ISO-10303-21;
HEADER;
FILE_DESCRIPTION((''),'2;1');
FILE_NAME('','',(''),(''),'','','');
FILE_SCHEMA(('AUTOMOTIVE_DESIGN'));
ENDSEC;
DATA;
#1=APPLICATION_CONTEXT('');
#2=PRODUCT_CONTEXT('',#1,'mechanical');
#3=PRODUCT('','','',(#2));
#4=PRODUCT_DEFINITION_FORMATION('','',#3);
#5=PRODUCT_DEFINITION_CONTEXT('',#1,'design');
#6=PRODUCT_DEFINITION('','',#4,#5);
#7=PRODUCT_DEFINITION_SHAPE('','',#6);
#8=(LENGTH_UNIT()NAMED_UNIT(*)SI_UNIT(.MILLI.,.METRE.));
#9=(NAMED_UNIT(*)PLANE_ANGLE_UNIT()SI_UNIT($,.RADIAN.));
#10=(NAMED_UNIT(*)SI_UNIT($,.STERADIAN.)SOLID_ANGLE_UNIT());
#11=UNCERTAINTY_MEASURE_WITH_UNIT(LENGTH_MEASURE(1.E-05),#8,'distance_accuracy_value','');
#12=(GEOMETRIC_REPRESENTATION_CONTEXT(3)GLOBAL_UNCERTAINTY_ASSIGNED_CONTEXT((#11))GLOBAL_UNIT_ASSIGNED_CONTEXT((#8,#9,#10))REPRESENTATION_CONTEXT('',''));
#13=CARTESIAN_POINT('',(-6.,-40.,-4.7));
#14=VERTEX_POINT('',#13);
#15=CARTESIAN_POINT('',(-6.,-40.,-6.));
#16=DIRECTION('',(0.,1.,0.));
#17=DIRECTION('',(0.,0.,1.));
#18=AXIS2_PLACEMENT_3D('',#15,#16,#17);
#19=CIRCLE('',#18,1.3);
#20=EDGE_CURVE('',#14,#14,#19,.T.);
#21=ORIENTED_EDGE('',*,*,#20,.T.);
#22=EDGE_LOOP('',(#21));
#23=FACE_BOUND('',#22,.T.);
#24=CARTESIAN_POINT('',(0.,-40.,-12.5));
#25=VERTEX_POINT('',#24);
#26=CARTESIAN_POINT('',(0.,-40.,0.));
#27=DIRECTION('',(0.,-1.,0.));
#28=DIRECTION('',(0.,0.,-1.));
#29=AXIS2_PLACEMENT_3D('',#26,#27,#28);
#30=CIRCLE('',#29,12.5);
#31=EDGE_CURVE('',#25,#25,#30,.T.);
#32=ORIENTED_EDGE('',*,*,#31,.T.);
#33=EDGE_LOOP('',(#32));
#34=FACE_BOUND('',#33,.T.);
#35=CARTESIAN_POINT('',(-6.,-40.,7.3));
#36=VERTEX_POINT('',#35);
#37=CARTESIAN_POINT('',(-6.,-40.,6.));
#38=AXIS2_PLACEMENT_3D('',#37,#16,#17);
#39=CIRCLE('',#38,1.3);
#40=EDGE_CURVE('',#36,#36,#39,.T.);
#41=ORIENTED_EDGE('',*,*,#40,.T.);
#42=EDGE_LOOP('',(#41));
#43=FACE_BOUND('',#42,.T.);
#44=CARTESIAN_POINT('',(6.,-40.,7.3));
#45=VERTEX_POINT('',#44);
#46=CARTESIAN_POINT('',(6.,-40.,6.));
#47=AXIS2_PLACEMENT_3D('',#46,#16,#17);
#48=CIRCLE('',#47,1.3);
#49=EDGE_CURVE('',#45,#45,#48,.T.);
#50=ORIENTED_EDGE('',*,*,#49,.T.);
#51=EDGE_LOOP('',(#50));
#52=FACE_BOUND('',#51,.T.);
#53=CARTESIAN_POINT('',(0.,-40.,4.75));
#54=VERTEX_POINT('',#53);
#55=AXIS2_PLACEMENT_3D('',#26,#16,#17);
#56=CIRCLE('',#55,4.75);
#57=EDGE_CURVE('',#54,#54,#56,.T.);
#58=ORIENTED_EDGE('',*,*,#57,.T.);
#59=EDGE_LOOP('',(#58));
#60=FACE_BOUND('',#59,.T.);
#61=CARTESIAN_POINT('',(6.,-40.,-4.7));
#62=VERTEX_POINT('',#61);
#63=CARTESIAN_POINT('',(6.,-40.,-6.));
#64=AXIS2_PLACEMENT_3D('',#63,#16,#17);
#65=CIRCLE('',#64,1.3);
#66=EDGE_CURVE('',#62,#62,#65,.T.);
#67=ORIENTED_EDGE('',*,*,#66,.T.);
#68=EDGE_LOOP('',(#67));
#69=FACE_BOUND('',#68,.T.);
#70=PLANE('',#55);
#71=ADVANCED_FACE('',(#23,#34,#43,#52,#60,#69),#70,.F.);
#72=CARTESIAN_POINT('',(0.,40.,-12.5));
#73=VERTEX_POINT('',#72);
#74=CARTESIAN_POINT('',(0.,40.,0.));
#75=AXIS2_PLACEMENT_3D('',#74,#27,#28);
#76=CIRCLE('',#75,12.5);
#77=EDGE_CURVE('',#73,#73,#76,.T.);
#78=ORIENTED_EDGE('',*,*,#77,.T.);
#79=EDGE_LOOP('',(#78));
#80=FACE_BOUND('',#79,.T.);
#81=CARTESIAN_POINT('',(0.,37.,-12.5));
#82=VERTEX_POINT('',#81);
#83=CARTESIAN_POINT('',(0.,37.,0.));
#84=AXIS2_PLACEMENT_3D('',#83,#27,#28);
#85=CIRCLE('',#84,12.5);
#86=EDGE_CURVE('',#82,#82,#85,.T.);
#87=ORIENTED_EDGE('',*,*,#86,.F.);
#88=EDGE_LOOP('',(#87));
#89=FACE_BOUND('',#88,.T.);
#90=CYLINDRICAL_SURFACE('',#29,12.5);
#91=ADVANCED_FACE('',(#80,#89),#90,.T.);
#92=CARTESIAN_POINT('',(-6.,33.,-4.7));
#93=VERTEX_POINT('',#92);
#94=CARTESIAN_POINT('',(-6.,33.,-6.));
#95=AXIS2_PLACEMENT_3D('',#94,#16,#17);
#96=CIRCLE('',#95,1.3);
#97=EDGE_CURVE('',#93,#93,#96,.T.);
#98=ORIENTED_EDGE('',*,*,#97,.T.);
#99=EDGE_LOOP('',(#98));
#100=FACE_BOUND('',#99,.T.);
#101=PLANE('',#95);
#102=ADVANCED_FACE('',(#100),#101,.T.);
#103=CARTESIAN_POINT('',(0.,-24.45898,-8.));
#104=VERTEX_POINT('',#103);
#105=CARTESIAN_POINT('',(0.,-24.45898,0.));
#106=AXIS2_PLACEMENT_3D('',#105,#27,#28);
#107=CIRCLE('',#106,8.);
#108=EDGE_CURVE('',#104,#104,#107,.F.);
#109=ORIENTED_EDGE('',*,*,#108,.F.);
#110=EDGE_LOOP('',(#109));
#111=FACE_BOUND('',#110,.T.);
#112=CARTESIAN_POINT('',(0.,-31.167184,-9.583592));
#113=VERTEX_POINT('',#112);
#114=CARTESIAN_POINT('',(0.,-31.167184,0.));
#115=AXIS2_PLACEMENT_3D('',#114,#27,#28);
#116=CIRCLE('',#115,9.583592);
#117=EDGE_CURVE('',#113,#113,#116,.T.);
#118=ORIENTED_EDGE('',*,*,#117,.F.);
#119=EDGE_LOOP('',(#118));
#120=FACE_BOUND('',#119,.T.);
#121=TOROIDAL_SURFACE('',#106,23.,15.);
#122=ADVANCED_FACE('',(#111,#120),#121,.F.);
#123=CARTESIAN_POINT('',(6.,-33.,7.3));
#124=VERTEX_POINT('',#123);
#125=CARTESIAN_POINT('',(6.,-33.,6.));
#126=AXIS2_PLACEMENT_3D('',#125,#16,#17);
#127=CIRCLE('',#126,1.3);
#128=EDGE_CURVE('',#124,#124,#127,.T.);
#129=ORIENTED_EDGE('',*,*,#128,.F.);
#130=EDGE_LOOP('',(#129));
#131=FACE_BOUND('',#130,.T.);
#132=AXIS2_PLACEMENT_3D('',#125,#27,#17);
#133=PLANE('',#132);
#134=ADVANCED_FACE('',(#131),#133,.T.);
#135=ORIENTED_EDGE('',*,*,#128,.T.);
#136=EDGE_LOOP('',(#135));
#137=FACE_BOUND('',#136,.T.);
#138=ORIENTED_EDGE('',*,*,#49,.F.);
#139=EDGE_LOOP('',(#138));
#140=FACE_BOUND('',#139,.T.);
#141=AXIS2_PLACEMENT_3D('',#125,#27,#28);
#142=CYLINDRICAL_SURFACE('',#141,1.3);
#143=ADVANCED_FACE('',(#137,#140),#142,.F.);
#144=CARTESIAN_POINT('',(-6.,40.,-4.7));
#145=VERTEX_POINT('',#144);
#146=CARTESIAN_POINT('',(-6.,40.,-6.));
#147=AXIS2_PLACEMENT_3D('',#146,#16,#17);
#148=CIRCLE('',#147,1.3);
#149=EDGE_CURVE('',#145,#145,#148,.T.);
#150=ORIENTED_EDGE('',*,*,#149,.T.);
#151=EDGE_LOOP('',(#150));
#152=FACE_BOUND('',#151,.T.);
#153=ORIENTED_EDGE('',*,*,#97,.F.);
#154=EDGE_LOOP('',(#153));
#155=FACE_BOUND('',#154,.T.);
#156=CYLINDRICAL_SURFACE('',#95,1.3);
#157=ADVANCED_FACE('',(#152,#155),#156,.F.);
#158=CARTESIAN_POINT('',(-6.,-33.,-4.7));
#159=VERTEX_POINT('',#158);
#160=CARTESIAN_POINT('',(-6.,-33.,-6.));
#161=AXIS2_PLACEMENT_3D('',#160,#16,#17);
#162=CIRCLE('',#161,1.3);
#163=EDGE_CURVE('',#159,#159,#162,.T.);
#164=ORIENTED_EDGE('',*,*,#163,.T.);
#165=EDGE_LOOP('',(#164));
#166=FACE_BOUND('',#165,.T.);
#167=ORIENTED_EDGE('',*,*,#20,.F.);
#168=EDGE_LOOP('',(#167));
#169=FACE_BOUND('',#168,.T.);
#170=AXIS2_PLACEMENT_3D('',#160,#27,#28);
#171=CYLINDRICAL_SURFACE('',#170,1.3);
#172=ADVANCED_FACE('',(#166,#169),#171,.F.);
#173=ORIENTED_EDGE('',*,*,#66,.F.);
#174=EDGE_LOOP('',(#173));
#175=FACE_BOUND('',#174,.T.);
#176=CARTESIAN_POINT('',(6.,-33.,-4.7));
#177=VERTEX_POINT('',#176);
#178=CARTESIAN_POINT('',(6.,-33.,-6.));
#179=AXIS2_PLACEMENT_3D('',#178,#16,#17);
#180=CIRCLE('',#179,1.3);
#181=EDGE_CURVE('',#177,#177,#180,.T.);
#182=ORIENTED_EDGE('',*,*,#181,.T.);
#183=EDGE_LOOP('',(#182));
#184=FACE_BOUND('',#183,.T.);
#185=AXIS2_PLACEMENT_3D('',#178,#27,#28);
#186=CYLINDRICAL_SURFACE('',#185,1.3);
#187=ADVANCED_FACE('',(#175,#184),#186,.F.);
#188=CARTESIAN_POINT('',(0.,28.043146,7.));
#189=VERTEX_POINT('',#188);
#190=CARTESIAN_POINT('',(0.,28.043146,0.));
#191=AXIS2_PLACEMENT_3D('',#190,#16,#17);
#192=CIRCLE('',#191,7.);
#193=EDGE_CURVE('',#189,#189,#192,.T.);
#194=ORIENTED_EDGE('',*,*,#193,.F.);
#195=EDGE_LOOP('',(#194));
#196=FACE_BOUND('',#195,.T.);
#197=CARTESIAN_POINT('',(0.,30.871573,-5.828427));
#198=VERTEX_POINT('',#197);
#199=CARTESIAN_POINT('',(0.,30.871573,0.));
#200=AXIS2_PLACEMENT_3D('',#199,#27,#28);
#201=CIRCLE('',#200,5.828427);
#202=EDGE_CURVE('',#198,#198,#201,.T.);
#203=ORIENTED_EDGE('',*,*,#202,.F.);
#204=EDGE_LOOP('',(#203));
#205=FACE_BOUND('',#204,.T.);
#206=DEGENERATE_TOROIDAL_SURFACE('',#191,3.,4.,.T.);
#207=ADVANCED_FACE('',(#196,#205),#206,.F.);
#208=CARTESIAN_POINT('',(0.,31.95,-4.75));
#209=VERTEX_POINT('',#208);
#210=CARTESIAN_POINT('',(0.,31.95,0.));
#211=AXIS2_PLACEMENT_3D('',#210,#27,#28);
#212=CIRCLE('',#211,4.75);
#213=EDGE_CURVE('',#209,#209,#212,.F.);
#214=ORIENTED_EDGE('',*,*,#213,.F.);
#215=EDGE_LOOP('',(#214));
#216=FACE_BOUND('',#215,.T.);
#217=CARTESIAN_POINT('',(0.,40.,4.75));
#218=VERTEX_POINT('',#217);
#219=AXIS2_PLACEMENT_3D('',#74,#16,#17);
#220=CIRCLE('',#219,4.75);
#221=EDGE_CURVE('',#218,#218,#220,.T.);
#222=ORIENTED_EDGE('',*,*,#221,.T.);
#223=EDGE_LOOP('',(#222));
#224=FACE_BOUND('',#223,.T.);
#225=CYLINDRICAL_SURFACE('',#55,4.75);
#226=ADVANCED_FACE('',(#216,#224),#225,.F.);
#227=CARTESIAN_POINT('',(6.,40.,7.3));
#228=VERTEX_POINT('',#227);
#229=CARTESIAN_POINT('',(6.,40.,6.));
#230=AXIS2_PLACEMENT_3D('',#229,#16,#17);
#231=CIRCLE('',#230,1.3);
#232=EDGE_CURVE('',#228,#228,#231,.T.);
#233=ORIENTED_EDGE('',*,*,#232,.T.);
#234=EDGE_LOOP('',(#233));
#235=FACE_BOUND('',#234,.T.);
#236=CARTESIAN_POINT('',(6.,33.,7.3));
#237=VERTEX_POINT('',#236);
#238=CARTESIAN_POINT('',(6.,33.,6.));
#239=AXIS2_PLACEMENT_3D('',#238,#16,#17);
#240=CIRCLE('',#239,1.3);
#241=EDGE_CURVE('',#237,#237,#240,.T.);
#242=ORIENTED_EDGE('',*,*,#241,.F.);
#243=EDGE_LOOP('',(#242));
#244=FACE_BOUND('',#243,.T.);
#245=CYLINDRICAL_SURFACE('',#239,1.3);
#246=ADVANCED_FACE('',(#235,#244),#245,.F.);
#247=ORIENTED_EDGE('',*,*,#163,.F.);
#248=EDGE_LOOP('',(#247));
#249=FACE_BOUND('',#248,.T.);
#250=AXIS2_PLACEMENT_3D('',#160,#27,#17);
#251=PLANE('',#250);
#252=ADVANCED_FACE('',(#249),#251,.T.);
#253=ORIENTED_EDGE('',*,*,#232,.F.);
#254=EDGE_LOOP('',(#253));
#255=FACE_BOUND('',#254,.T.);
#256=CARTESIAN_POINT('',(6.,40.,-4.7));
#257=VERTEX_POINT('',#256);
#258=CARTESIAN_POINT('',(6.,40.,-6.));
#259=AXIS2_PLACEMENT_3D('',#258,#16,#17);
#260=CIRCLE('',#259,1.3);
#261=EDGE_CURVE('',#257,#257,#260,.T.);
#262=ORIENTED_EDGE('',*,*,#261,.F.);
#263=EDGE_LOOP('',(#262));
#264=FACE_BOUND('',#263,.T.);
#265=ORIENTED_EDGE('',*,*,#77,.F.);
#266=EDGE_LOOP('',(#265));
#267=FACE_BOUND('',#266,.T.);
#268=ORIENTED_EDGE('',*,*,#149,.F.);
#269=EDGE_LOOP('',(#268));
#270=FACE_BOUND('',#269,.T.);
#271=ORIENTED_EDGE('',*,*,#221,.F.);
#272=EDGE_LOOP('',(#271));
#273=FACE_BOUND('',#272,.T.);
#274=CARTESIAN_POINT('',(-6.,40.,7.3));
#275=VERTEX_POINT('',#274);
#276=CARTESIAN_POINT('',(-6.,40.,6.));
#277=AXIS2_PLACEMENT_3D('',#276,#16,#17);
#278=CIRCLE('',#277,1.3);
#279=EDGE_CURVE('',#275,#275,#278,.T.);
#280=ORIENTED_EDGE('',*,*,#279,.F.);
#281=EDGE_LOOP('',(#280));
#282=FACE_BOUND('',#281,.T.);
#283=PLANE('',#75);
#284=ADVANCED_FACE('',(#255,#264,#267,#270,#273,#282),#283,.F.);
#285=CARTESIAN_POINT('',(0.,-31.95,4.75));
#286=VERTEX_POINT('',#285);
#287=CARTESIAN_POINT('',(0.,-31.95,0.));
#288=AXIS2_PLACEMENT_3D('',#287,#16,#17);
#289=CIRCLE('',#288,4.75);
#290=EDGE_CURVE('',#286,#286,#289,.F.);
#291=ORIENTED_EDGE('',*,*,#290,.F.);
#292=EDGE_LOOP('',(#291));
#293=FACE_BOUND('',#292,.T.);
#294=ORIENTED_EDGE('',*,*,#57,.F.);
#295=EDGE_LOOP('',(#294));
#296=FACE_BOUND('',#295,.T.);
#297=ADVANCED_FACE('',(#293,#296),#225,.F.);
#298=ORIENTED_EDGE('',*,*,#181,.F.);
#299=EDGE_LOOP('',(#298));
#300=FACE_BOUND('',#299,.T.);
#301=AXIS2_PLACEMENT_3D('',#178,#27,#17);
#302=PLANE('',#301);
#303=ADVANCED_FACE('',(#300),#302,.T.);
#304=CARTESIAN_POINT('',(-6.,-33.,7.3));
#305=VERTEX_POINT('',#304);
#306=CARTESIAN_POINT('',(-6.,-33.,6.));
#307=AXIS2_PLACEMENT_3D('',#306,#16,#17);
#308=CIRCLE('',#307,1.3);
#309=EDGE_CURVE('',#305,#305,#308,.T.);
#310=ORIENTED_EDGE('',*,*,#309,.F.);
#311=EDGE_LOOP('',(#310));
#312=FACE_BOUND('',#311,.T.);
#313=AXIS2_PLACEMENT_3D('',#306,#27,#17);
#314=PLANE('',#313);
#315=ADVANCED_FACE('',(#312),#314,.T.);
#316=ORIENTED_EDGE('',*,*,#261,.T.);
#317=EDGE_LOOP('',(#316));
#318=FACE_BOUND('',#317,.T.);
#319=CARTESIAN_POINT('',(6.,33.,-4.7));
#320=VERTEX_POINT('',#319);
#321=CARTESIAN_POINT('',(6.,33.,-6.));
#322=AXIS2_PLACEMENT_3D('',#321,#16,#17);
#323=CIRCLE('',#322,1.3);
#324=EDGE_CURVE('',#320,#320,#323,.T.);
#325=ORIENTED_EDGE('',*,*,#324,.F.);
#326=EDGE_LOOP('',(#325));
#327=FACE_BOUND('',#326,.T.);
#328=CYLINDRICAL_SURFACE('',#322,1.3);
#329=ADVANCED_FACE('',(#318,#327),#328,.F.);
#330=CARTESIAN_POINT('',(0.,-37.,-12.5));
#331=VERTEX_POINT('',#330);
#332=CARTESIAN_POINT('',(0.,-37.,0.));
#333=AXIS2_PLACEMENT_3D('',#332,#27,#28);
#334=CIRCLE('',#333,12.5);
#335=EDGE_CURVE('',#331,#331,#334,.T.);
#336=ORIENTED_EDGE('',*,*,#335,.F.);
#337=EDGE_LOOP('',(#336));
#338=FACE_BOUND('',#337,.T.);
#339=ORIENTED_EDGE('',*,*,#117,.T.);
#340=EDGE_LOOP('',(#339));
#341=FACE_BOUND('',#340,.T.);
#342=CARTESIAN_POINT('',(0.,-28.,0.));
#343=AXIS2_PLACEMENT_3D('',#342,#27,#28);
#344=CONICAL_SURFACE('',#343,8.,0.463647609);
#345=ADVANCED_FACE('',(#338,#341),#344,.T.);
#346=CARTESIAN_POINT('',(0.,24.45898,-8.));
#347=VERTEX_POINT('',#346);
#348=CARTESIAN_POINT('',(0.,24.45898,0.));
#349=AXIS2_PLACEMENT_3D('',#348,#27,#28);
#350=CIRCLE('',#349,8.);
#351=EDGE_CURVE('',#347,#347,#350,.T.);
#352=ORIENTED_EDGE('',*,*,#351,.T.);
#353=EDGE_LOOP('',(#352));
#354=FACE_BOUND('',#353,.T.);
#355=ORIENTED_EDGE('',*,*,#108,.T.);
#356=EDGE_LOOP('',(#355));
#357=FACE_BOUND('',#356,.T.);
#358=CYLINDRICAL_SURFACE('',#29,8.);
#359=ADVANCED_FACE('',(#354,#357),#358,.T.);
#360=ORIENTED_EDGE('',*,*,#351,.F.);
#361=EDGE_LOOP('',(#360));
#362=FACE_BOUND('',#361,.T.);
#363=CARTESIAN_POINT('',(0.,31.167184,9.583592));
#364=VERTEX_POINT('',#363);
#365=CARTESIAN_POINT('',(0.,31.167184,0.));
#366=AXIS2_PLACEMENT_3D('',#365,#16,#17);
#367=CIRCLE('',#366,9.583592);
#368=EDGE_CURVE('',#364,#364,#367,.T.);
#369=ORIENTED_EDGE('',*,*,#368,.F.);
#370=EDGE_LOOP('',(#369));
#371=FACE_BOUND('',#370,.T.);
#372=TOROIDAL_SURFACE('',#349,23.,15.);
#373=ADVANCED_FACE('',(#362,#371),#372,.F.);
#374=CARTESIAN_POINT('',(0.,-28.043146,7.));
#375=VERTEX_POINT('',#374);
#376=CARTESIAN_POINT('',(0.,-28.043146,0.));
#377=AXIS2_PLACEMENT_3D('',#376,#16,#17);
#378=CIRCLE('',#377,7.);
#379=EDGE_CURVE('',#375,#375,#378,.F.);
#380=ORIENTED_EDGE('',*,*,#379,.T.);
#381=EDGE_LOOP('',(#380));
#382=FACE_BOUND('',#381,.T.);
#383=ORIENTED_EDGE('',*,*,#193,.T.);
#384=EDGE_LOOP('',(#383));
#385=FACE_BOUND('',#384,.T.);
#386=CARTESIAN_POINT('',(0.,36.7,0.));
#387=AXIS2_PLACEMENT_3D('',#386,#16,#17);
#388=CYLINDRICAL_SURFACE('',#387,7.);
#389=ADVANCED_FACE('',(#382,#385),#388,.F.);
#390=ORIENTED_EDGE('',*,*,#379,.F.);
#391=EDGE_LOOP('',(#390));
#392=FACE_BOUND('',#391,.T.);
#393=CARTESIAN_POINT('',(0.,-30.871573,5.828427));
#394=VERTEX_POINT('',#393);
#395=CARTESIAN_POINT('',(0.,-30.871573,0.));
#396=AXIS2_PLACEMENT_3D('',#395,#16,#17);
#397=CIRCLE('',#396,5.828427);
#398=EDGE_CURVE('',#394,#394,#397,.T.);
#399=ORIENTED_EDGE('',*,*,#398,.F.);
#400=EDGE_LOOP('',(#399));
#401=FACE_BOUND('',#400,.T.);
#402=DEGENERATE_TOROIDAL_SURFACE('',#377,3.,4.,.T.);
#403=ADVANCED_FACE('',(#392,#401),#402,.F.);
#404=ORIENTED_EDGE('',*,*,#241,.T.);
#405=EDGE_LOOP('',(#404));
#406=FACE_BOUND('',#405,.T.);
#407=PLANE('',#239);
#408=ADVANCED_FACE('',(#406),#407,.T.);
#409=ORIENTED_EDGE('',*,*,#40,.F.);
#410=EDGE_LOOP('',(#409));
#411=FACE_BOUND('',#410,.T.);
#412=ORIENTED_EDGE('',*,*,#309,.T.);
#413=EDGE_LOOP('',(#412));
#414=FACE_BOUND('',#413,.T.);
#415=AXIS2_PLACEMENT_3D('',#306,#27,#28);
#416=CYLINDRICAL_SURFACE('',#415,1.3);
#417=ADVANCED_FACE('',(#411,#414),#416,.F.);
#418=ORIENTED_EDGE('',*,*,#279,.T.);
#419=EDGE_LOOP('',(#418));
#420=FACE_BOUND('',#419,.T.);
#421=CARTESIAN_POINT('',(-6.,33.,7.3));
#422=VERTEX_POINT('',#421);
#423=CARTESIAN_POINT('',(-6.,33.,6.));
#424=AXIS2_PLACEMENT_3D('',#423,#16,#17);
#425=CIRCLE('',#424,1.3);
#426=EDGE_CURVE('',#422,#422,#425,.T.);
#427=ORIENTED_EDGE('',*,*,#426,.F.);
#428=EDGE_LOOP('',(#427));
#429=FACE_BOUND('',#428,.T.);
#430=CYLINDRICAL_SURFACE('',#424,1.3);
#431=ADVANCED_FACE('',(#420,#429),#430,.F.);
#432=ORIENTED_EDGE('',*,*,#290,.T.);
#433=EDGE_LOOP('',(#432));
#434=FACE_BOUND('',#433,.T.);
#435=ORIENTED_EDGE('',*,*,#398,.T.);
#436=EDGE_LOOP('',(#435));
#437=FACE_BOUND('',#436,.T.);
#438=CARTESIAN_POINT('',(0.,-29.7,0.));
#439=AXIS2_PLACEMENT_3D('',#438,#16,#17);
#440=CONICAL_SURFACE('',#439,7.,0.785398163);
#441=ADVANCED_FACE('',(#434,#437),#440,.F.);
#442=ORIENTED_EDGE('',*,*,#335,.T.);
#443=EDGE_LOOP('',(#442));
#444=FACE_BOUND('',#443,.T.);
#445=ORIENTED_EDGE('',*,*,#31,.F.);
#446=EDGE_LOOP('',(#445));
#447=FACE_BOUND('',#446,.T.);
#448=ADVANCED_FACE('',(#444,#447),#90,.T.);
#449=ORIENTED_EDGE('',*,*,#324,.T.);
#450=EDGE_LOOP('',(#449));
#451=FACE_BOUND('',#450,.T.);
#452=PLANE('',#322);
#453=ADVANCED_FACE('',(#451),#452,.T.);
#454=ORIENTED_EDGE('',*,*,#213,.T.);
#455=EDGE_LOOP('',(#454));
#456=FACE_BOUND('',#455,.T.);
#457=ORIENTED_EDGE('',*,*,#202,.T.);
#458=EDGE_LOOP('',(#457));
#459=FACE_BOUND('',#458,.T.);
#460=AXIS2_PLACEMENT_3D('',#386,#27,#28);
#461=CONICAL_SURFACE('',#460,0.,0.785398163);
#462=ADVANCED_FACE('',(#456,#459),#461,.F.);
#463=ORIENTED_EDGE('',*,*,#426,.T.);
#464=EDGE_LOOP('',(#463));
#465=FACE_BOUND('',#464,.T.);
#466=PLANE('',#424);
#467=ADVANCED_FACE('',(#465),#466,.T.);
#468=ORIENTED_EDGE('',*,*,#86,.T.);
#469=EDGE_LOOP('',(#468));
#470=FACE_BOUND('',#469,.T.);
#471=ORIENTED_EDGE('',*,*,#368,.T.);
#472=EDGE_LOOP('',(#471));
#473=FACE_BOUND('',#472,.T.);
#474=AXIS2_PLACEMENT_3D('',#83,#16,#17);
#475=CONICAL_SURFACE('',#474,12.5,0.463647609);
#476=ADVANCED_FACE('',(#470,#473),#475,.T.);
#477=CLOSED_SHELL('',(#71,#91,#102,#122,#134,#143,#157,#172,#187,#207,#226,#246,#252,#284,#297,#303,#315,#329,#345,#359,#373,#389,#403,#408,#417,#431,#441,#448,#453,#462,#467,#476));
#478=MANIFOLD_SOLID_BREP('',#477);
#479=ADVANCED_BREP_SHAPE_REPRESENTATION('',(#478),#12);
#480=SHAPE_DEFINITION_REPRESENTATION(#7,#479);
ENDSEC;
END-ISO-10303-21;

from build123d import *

# Parameters (mm, degrees)
SKETCH2_R          = 1.3
CUT_EXTRUDE1_DEPTH = 7
SKETCH4_R          = 4.75
CUT_EXTRUDE2_DEPTH = 82.929848041
FILLET1_R          = 15
FILLET2_R          = 4


with BuildPart() as part:
    # Sketch1 → Revolve1 (revolve)
    with BuildSketch(Plane.XY, mode=Mode.PRIVATE) as revolve1_sk:
        Polygon((0, -40), (0, 40), (-12.5, 40), (-12.5, 37), (-8, 28), (-8, -28), (-12.5, -37), (-12.5, -40), align=None)
    revolve(revolve1_sk.sketch.rotate(Axis((0, -40, 0), (0, 1, 0)), 270), axis=Axis((0, -40, 0), (0, 1, 0)))

    # Sketch2 → Cut-Extrude1 (cut)
    with BuildSketch(Plane(origin=(0, 40, 0), x_dir=(1, 0, 0), z_dir=(0, 1, 0))):
        with Locations(Location((-6, 6, 0), (0, 0, 270))):
            Circle(SKETCH2_R)
        with Locations(Location((6, 6, 0), (0, 0, 270))):
            Circle(SKETCH2_R)
        with Locations(Location((-6, -6, 0), (0, 0, 270))):
            Circle(SKETCH2_R)
        with Locations(Location((6, -6, 0), (0, 0, 270))):
            Circle(SKETCH2_R)
    cut_extrude1 = extrude(amount=-CUT_EXTRUDE1_DEPTH, mode=Mode.SUBTRACT)

    # Mirror1: Cut-Extrude1 across plane
    add(cut_extrude1.mirror(Plane.ZX), mode=Mode.SUBTRACT)

    # Sketch3 → Cut-Revolve1 (revolve, cut)
    with BuildSketch(Plane(origin=(0, 0, 0), x_dir=(0, 0, -1), z_dir=(1, 0, 0))):
        Polygon((-7, 29.7), (0, 36.7), (0, -36.7), (-7, -29.7), align=None)
    revolve(axis=Axis((0, 36.7, 0), (0, -1, 0)), mode=Mode.SUBTRACT)

    # Sketch4 → Cut-Extrude2 (cut, through all)
    with BuildSketch(Plane(origin=(0, 40, 0), x_dir=(1, 0, 0), z_dir=(0, 1, 0))):
        with Locations(Location((0, 0, 0), (0, 0, 270))):
            Circle(SKETCH4_R)
    extrude(amount=-CUT_EXTRUDE2_DEPTH, mode=Mode.SUBTRACT)

    # Fillet1
    fillet1_edges = [part.edges().sort_by_distance(p)[0] for p in [
        (0, -28, 8),
        (0, 28, 8),
    ]]
    fillet(fillet1_edges, radius=FILLET1_R)

    # Fillet2
    fillet2_edges = [part.edges().sort_by_distance(p)[0] for p in [
        (0, 29.7, -7),
        (0, -29.7, -7),
    ]]
    fillet(fillet2_edges, radius=FILLET2_R)


solid = part.part
